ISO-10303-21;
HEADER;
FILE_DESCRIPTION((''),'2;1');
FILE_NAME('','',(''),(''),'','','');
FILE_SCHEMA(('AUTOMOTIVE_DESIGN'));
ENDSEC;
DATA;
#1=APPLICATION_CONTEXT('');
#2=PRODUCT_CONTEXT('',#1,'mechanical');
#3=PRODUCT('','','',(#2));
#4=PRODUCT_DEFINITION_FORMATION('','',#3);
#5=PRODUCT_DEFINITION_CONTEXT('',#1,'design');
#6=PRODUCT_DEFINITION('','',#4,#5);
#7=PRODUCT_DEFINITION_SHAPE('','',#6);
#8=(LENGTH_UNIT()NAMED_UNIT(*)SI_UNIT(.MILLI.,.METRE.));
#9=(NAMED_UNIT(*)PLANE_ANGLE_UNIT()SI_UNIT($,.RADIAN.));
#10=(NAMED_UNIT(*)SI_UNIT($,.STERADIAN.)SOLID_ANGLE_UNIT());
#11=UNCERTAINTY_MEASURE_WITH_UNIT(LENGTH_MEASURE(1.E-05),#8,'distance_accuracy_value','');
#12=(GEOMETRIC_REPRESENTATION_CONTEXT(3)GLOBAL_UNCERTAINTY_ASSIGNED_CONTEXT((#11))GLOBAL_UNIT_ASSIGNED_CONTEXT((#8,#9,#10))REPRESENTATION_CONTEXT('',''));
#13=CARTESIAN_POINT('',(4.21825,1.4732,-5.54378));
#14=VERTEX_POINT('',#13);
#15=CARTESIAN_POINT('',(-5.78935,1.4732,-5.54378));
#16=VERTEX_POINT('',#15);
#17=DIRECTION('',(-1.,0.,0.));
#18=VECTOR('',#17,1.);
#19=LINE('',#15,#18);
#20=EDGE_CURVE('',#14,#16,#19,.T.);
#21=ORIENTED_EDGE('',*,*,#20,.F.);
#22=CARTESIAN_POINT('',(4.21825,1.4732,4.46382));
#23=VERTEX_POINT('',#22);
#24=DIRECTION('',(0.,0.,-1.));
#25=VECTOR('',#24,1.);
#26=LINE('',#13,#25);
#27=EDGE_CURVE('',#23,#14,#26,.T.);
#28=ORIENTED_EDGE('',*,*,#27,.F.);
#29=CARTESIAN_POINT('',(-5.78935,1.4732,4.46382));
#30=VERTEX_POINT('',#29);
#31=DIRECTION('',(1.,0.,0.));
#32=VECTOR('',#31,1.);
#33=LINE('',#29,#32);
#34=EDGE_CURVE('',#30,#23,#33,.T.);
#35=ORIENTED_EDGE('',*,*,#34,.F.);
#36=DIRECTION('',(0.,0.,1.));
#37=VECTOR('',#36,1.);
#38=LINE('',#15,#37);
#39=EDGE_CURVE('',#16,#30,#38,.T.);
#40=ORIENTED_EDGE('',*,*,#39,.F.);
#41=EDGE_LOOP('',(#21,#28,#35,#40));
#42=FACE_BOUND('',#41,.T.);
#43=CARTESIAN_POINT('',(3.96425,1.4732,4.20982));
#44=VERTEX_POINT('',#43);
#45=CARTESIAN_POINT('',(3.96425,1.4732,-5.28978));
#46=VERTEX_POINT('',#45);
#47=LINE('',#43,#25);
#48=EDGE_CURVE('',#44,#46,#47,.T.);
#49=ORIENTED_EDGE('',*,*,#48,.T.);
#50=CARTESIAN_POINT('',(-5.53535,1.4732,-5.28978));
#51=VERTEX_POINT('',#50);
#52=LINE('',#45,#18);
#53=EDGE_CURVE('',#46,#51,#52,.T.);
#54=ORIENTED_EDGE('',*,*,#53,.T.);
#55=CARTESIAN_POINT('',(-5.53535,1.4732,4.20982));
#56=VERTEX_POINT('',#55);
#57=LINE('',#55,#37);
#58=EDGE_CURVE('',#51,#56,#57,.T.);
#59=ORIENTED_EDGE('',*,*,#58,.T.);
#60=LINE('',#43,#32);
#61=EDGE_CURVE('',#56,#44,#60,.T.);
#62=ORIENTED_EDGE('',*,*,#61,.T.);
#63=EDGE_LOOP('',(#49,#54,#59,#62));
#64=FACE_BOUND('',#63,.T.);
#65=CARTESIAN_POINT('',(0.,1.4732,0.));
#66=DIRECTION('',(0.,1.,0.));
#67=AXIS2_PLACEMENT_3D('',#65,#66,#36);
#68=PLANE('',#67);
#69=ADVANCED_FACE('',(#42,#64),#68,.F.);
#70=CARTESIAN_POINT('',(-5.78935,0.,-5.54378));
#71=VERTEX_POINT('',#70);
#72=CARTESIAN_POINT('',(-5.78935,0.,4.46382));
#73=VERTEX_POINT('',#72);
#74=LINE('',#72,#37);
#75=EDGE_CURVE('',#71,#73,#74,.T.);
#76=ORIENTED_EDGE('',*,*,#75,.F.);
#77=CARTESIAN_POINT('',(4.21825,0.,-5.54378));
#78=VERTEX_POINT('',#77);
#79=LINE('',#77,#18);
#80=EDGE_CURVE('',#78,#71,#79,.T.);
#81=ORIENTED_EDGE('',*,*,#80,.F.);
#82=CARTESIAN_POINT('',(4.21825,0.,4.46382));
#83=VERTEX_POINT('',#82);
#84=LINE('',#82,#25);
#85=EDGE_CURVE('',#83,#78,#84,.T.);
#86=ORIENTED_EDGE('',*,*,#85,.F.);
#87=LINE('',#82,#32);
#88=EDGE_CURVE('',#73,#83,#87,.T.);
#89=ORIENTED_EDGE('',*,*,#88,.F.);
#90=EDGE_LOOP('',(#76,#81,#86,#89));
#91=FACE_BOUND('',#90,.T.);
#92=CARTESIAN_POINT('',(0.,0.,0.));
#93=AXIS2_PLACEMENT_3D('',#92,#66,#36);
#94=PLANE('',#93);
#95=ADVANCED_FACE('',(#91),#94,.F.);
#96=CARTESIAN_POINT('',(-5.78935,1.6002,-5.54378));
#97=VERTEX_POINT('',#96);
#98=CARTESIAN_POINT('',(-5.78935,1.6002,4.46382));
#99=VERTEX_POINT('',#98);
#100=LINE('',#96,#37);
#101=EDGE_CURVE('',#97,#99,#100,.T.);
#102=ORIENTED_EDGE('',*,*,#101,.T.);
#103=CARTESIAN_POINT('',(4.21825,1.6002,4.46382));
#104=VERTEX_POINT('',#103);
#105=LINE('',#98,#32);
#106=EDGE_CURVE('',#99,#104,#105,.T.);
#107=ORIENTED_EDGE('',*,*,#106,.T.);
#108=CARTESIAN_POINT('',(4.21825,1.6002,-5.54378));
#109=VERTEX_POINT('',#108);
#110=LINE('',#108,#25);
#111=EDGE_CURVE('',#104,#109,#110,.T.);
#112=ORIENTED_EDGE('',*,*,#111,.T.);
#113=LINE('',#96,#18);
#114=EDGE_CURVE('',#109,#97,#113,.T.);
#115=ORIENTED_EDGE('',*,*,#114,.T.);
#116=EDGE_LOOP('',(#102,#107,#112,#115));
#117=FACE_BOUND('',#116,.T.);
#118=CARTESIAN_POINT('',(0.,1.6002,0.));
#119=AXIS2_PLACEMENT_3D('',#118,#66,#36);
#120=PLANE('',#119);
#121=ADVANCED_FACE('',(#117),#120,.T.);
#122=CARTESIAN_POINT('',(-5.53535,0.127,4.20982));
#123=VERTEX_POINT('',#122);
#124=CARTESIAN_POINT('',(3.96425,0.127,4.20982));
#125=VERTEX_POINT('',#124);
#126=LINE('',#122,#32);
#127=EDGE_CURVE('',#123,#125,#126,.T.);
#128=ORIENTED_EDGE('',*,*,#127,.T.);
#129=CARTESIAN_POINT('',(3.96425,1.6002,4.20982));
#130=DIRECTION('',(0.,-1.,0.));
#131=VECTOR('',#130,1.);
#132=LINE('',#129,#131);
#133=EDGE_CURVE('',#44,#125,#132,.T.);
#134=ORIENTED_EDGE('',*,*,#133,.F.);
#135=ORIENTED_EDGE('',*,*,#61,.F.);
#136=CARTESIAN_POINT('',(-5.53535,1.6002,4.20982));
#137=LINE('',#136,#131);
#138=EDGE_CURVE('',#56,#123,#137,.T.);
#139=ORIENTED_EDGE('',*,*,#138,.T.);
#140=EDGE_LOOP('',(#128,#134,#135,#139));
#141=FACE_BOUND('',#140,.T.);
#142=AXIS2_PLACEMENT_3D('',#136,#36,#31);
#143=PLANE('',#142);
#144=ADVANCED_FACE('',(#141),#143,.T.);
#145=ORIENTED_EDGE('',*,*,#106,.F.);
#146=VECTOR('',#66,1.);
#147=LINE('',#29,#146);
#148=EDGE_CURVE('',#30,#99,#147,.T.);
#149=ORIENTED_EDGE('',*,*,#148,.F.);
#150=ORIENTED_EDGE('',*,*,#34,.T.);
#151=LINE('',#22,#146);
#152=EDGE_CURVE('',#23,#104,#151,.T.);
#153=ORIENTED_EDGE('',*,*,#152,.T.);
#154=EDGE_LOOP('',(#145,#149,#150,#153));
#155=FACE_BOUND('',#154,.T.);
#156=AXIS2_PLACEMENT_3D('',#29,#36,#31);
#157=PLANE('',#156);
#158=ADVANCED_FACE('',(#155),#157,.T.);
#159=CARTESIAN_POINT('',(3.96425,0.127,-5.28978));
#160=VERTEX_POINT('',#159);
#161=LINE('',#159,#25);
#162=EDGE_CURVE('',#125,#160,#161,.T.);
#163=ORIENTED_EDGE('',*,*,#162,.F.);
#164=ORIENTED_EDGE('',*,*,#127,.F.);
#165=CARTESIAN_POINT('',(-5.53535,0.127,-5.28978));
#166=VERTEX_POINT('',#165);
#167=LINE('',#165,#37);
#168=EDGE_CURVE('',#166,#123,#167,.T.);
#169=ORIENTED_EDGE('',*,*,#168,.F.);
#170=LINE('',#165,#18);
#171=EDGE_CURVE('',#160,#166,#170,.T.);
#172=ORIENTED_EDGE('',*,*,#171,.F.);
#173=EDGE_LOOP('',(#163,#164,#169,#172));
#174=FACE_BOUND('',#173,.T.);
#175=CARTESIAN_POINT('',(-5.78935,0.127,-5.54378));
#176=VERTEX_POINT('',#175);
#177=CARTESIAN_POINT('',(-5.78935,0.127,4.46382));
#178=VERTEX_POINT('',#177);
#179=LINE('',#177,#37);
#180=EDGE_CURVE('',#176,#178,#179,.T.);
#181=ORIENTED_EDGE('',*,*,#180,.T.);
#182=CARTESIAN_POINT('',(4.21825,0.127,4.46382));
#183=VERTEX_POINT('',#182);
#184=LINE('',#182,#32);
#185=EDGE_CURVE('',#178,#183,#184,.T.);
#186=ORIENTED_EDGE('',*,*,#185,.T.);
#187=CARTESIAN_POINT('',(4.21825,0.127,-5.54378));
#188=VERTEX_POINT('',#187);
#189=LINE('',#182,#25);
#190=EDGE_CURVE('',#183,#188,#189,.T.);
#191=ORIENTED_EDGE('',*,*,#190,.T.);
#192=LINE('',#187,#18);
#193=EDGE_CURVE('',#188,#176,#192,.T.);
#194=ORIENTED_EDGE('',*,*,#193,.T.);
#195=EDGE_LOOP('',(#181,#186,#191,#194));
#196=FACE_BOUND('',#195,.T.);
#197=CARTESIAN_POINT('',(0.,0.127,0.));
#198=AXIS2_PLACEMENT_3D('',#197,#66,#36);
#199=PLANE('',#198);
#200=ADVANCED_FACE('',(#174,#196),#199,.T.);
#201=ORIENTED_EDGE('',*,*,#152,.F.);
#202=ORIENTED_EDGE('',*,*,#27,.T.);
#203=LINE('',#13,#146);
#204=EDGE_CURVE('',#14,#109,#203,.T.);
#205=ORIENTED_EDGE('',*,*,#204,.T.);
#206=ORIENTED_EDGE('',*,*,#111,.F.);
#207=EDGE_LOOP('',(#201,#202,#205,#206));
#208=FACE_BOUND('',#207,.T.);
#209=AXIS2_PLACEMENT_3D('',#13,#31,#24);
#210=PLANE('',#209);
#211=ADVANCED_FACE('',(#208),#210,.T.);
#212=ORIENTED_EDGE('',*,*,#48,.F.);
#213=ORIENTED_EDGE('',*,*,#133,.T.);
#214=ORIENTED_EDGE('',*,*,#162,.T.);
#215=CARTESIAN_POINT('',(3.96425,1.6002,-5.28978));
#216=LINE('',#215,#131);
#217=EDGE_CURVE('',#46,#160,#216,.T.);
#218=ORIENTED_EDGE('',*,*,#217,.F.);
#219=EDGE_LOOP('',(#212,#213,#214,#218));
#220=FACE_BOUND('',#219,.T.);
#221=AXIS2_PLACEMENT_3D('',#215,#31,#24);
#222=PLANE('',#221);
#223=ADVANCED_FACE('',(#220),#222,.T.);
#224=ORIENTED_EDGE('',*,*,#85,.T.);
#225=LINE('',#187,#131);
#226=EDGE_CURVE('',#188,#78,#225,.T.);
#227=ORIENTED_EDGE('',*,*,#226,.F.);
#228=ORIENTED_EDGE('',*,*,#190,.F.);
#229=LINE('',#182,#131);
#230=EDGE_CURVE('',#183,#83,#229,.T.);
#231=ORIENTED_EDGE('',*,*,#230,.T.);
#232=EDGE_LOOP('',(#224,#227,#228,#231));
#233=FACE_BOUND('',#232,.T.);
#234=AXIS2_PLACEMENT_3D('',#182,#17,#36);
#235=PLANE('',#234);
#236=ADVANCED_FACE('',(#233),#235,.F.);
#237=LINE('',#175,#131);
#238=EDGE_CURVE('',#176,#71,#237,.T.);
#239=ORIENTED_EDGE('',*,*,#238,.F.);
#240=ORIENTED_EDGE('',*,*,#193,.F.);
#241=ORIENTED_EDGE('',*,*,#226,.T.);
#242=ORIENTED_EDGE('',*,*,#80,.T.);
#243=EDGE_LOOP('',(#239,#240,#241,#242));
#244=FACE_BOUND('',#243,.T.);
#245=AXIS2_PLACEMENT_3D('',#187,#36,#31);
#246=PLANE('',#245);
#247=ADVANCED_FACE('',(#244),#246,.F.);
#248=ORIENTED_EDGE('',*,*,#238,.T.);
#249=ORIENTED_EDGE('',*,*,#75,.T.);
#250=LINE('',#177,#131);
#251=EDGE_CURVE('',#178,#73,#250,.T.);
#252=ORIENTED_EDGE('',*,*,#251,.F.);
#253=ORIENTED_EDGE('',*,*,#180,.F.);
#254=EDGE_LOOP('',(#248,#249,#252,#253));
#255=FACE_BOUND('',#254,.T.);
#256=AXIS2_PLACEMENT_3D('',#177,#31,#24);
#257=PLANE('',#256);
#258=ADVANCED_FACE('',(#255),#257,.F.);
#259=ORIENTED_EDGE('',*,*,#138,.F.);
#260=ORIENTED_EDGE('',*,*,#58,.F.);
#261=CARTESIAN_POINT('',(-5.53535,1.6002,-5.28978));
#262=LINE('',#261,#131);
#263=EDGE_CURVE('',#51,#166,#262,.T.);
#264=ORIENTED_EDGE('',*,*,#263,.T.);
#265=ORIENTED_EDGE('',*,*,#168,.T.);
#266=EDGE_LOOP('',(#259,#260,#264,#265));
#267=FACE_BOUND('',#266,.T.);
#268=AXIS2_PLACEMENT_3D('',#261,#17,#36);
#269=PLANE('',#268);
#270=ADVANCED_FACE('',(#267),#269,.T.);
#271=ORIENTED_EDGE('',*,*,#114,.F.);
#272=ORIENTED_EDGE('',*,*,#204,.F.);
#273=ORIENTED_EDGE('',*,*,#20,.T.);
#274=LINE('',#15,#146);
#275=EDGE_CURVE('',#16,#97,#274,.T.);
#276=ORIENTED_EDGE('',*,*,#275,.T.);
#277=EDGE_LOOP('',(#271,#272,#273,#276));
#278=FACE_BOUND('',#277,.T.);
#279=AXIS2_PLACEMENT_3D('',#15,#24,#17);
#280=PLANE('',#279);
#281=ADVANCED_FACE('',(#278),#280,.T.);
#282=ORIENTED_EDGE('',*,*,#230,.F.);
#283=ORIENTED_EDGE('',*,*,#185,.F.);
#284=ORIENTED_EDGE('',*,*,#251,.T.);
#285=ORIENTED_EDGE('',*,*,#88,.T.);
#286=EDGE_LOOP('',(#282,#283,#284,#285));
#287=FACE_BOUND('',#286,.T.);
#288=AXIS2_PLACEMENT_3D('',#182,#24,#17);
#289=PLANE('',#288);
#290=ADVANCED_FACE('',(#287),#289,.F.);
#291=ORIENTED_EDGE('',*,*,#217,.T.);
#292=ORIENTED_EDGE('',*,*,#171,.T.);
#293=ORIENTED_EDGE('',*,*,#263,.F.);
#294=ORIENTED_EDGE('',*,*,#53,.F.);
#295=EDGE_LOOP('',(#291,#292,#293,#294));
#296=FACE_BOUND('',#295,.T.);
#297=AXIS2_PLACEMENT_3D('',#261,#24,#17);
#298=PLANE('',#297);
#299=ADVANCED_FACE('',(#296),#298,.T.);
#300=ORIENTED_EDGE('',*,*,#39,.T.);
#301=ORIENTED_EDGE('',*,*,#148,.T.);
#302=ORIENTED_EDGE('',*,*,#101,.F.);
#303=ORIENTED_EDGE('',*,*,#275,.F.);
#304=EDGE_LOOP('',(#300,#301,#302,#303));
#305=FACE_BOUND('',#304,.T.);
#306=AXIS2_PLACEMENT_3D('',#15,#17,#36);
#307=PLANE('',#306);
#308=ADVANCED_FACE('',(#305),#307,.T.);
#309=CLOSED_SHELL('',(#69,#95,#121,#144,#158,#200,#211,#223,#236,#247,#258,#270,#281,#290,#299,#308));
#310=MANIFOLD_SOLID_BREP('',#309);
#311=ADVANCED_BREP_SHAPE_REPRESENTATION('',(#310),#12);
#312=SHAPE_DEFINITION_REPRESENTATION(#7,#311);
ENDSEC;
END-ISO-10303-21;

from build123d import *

# Parameters (mm, degrees)
SKETCH1_W           = 10.0076
SKETCH1_H           = 10.0076
SKETCH1_W_2         = 9.4996
SKETCH1_H_2         = 9.4996
BOSS_EXTRUDE1_DEPTH = 0.127
SKETCH2_W           = 9.4996
SKETCH2_H           = 9.4996
BOSS_EXTRUDE2_DEPTH = 1.6002
SKETCH3_W           = 10.0076
SKETCH3_H           = 10.0076
SKETCH3_W_2         = 9.4996
SKETCH3_H_2         = 9.4996
BOSS_EXTRUDE3_DEPTH = 0.127


with BuildPart() as part:
    # Sketch1 → Boss-Extrude1 (new body)
    with BuildSketch(Plane(origin=(0, 0, 0), x_dir=(1, 0, 0), z_dir=(0, 1, 0))):
        with Locations((-0.7855503, 0.539979905)):
            Rectangle(SKETCH1_W, SKETCH1_H)
        with Locations((-0.7855503, 0.539979905)):
            Rectangle(SKETCH1_W_2, SKETCH1_H_2, mode=Mode.SUBTRACT)
    extrude(amount=BOSS_EXTRUDE1_DEPTH)

    # Sketch2 → Boss-Extrude2 (add)
    with BuildSketch(Plane(origin=(0, 0, 0), x_dir=(-1, 0, 0), z_dir=(0, -1, 0))):
        with Locations((0.7855503, 0.539979905)):
            Rectangle(SKETCH2_W, SKETCH2_H)
    extrude(amount=-BOSS_EXTRUDE2_DEPTH)

    # Sketch3 → Boss-Extrude3 (add)
    with BuildSketch(Plane(origin=(0, 1.6002, 0), x_dir=(1, 0, 0), z_dir=(0, 1, 0))):
        with Locations((-0.7855503, 0.539979905)):
            Rectangle(SKETCH3_W, SKETCH3_H)
        with Locations((-0.7855503, 0.539979905)):
            Rectangle(SKETCH3_W_2, SKETCH3_H_2, mode=Mode.SUBTRACT)
    extrude(amount=-BOSS_EXTRUDE3_DEPTH)


solid = part.part
